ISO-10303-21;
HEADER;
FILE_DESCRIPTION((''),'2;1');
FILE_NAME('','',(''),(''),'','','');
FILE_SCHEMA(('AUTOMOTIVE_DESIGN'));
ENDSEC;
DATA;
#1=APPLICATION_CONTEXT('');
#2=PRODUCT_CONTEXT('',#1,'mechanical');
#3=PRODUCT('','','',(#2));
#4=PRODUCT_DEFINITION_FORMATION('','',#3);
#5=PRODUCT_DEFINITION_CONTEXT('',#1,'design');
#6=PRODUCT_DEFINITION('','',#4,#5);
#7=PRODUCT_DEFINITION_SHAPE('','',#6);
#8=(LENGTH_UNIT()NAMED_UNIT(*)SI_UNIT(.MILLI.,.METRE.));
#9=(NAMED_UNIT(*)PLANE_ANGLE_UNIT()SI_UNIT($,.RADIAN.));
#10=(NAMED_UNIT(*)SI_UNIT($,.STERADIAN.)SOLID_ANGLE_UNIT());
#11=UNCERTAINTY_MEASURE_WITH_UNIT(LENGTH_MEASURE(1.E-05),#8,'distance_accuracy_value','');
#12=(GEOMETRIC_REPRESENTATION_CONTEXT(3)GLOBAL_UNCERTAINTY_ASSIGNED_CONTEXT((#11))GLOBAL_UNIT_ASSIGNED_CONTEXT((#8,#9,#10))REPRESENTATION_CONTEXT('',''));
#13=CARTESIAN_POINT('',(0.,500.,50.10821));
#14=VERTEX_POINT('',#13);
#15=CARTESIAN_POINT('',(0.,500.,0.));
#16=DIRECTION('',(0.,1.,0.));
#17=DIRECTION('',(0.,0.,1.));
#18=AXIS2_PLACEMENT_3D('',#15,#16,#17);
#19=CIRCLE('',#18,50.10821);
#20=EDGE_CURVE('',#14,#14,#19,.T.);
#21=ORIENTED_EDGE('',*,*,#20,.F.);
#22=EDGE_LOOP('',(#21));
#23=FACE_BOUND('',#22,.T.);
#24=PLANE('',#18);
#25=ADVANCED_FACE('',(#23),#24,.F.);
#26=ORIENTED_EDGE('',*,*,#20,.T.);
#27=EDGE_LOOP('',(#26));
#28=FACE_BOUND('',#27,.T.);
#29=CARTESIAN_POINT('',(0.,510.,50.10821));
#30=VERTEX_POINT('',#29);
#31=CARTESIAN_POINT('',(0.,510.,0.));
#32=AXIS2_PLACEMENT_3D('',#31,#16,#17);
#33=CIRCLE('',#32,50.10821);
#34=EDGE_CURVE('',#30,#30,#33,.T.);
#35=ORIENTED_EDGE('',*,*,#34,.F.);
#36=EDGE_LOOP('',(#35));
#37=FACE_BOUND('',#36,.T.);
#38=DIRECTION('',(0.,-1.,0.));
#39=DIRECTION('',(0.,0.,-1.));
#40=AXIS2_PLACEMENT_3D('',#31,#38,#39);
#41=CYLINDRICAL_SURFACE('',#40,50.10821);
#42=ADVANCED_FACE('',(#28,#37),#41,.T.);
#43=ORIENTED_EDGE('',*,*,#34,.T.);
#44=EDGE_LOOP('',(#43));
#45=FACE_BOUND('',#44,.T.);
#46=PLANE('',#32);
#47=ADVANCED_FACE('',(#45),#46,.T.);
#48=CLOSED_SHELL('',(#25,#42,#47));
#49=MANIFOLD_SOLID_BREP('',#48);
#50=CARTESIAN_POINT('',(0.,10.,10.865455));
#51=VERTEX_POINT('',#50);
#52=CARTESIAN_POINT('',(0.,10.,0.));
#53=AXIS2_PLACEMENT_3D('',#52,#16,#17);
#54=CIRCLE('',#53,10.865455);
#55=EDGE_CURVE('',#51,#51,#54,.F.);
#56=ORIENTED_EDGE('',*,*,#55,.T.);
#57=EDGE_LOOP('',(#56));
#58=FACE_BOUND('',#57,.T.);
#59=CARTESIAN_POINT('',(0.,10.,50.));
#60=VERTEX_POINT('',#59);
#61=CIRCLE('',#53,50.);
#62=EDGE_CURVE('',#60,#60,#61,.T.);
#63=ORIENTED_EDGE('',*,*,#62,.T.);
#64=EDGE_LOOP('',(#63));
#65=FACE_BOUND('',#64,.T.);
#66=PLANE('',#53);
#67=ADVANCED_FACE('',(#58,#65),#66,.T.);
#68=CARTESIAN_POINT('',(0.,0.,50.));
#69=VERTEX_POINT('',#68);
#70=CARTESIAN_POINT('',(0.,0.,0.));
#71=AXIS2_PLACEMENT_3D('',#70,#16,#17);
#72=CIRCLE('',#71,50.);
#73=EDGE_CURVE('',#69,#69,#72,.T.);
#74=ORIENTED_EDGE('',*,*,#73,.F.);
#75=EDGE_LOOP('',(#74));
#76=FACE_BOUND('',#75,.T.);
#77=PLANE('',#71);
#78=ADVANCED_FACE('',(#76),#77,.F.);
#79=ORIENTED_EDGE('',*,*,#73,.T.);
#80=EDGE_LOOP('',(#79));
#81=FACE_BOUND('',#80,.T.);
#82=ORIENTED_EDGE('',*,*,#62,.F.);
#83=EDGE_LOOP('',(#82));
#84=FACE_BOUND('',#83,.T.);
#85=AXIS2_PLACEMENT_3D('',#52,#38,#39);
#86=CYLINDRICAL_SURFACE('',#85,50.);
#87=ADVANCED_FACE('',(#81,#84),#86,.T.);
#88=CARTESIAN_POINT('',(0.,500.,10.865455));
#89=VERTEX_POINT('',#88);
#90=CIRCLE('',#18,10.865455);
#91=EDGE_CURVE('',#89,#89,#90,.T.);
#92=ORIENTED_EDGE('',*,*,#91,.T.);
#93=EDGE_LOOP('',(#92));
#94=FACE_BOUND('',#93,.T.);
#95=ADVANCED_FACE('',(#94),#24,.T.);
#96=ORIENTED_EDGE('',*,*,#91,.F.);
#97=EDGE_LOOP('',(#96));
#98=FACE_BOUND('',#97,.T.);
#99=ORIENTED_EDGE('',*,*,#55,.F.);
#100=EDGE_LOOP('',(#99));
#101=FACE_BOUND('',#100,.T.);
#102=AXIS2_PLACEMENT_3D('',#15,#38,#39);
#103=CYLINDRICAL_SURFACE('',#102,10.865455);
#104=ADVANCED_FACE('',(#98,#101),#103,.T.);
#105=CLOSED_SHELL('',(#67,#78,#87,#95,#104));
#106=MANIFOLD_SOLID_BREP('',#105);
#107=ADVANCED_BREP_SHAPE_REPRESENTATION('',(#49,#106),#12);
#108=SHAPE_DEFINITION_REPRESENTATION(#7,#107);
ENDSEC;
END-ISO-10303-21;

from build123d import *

# Parameters (mm, degrees)
SKETCH1_R           = 50
BOSS_EXTRUDE1_DEPTH = 10
SKETCH7_R           = 50.108210293
BOSS_EXTRUDE2_DEPTH = 10
SKETCH8_R           = 10.865455154
BOSS_EXTRUDE3_DEPTH = 500


with BuildPart() as part:
    # Sketch1 → Boss-Extrude1 (new body)
    with BuildSketch(Plane(origin=(0, 0, 0), x_dir=(1, 0, 0), z_dir=(0, 1, 0))):
        with Locations(Location((0, 0, 0), (0, 0, 270))):
            Circle(SKETCH1_R)
    extrude(amount=BOSS_EXTRUDE1_DEPTH)

    # Sketch8 → Boss-Extrude3 (add)
    with BuildSketch(Plane(origin=(0, 0, 0), x_dir=(1, 0, 0), z_dir=(0, 1, 0))):
        with Locations(Location((0, 0, 0), (0, 0, 270))):
            Circle(SKETCH8_R)
    extrude(amount=BOSS_EXTRUDE3_DEPTH)


with BuildPart() as body_2:
    # Sketch7 → Boss-Extrude2 (new body)
    with BuildSketch(Plane(origin=(0, 500, 0), x_dir=(1, 0, 0), z_dir=(0, 1, 0))):
        with Locations(Location((0, 0, 0), (0, 0, 270))):
            Circle(SKETCH7_R)
    extrude(amount=BOSS_EXTRUDE2_DEPTH)


solid = Compound([part.part, body_2.part])
